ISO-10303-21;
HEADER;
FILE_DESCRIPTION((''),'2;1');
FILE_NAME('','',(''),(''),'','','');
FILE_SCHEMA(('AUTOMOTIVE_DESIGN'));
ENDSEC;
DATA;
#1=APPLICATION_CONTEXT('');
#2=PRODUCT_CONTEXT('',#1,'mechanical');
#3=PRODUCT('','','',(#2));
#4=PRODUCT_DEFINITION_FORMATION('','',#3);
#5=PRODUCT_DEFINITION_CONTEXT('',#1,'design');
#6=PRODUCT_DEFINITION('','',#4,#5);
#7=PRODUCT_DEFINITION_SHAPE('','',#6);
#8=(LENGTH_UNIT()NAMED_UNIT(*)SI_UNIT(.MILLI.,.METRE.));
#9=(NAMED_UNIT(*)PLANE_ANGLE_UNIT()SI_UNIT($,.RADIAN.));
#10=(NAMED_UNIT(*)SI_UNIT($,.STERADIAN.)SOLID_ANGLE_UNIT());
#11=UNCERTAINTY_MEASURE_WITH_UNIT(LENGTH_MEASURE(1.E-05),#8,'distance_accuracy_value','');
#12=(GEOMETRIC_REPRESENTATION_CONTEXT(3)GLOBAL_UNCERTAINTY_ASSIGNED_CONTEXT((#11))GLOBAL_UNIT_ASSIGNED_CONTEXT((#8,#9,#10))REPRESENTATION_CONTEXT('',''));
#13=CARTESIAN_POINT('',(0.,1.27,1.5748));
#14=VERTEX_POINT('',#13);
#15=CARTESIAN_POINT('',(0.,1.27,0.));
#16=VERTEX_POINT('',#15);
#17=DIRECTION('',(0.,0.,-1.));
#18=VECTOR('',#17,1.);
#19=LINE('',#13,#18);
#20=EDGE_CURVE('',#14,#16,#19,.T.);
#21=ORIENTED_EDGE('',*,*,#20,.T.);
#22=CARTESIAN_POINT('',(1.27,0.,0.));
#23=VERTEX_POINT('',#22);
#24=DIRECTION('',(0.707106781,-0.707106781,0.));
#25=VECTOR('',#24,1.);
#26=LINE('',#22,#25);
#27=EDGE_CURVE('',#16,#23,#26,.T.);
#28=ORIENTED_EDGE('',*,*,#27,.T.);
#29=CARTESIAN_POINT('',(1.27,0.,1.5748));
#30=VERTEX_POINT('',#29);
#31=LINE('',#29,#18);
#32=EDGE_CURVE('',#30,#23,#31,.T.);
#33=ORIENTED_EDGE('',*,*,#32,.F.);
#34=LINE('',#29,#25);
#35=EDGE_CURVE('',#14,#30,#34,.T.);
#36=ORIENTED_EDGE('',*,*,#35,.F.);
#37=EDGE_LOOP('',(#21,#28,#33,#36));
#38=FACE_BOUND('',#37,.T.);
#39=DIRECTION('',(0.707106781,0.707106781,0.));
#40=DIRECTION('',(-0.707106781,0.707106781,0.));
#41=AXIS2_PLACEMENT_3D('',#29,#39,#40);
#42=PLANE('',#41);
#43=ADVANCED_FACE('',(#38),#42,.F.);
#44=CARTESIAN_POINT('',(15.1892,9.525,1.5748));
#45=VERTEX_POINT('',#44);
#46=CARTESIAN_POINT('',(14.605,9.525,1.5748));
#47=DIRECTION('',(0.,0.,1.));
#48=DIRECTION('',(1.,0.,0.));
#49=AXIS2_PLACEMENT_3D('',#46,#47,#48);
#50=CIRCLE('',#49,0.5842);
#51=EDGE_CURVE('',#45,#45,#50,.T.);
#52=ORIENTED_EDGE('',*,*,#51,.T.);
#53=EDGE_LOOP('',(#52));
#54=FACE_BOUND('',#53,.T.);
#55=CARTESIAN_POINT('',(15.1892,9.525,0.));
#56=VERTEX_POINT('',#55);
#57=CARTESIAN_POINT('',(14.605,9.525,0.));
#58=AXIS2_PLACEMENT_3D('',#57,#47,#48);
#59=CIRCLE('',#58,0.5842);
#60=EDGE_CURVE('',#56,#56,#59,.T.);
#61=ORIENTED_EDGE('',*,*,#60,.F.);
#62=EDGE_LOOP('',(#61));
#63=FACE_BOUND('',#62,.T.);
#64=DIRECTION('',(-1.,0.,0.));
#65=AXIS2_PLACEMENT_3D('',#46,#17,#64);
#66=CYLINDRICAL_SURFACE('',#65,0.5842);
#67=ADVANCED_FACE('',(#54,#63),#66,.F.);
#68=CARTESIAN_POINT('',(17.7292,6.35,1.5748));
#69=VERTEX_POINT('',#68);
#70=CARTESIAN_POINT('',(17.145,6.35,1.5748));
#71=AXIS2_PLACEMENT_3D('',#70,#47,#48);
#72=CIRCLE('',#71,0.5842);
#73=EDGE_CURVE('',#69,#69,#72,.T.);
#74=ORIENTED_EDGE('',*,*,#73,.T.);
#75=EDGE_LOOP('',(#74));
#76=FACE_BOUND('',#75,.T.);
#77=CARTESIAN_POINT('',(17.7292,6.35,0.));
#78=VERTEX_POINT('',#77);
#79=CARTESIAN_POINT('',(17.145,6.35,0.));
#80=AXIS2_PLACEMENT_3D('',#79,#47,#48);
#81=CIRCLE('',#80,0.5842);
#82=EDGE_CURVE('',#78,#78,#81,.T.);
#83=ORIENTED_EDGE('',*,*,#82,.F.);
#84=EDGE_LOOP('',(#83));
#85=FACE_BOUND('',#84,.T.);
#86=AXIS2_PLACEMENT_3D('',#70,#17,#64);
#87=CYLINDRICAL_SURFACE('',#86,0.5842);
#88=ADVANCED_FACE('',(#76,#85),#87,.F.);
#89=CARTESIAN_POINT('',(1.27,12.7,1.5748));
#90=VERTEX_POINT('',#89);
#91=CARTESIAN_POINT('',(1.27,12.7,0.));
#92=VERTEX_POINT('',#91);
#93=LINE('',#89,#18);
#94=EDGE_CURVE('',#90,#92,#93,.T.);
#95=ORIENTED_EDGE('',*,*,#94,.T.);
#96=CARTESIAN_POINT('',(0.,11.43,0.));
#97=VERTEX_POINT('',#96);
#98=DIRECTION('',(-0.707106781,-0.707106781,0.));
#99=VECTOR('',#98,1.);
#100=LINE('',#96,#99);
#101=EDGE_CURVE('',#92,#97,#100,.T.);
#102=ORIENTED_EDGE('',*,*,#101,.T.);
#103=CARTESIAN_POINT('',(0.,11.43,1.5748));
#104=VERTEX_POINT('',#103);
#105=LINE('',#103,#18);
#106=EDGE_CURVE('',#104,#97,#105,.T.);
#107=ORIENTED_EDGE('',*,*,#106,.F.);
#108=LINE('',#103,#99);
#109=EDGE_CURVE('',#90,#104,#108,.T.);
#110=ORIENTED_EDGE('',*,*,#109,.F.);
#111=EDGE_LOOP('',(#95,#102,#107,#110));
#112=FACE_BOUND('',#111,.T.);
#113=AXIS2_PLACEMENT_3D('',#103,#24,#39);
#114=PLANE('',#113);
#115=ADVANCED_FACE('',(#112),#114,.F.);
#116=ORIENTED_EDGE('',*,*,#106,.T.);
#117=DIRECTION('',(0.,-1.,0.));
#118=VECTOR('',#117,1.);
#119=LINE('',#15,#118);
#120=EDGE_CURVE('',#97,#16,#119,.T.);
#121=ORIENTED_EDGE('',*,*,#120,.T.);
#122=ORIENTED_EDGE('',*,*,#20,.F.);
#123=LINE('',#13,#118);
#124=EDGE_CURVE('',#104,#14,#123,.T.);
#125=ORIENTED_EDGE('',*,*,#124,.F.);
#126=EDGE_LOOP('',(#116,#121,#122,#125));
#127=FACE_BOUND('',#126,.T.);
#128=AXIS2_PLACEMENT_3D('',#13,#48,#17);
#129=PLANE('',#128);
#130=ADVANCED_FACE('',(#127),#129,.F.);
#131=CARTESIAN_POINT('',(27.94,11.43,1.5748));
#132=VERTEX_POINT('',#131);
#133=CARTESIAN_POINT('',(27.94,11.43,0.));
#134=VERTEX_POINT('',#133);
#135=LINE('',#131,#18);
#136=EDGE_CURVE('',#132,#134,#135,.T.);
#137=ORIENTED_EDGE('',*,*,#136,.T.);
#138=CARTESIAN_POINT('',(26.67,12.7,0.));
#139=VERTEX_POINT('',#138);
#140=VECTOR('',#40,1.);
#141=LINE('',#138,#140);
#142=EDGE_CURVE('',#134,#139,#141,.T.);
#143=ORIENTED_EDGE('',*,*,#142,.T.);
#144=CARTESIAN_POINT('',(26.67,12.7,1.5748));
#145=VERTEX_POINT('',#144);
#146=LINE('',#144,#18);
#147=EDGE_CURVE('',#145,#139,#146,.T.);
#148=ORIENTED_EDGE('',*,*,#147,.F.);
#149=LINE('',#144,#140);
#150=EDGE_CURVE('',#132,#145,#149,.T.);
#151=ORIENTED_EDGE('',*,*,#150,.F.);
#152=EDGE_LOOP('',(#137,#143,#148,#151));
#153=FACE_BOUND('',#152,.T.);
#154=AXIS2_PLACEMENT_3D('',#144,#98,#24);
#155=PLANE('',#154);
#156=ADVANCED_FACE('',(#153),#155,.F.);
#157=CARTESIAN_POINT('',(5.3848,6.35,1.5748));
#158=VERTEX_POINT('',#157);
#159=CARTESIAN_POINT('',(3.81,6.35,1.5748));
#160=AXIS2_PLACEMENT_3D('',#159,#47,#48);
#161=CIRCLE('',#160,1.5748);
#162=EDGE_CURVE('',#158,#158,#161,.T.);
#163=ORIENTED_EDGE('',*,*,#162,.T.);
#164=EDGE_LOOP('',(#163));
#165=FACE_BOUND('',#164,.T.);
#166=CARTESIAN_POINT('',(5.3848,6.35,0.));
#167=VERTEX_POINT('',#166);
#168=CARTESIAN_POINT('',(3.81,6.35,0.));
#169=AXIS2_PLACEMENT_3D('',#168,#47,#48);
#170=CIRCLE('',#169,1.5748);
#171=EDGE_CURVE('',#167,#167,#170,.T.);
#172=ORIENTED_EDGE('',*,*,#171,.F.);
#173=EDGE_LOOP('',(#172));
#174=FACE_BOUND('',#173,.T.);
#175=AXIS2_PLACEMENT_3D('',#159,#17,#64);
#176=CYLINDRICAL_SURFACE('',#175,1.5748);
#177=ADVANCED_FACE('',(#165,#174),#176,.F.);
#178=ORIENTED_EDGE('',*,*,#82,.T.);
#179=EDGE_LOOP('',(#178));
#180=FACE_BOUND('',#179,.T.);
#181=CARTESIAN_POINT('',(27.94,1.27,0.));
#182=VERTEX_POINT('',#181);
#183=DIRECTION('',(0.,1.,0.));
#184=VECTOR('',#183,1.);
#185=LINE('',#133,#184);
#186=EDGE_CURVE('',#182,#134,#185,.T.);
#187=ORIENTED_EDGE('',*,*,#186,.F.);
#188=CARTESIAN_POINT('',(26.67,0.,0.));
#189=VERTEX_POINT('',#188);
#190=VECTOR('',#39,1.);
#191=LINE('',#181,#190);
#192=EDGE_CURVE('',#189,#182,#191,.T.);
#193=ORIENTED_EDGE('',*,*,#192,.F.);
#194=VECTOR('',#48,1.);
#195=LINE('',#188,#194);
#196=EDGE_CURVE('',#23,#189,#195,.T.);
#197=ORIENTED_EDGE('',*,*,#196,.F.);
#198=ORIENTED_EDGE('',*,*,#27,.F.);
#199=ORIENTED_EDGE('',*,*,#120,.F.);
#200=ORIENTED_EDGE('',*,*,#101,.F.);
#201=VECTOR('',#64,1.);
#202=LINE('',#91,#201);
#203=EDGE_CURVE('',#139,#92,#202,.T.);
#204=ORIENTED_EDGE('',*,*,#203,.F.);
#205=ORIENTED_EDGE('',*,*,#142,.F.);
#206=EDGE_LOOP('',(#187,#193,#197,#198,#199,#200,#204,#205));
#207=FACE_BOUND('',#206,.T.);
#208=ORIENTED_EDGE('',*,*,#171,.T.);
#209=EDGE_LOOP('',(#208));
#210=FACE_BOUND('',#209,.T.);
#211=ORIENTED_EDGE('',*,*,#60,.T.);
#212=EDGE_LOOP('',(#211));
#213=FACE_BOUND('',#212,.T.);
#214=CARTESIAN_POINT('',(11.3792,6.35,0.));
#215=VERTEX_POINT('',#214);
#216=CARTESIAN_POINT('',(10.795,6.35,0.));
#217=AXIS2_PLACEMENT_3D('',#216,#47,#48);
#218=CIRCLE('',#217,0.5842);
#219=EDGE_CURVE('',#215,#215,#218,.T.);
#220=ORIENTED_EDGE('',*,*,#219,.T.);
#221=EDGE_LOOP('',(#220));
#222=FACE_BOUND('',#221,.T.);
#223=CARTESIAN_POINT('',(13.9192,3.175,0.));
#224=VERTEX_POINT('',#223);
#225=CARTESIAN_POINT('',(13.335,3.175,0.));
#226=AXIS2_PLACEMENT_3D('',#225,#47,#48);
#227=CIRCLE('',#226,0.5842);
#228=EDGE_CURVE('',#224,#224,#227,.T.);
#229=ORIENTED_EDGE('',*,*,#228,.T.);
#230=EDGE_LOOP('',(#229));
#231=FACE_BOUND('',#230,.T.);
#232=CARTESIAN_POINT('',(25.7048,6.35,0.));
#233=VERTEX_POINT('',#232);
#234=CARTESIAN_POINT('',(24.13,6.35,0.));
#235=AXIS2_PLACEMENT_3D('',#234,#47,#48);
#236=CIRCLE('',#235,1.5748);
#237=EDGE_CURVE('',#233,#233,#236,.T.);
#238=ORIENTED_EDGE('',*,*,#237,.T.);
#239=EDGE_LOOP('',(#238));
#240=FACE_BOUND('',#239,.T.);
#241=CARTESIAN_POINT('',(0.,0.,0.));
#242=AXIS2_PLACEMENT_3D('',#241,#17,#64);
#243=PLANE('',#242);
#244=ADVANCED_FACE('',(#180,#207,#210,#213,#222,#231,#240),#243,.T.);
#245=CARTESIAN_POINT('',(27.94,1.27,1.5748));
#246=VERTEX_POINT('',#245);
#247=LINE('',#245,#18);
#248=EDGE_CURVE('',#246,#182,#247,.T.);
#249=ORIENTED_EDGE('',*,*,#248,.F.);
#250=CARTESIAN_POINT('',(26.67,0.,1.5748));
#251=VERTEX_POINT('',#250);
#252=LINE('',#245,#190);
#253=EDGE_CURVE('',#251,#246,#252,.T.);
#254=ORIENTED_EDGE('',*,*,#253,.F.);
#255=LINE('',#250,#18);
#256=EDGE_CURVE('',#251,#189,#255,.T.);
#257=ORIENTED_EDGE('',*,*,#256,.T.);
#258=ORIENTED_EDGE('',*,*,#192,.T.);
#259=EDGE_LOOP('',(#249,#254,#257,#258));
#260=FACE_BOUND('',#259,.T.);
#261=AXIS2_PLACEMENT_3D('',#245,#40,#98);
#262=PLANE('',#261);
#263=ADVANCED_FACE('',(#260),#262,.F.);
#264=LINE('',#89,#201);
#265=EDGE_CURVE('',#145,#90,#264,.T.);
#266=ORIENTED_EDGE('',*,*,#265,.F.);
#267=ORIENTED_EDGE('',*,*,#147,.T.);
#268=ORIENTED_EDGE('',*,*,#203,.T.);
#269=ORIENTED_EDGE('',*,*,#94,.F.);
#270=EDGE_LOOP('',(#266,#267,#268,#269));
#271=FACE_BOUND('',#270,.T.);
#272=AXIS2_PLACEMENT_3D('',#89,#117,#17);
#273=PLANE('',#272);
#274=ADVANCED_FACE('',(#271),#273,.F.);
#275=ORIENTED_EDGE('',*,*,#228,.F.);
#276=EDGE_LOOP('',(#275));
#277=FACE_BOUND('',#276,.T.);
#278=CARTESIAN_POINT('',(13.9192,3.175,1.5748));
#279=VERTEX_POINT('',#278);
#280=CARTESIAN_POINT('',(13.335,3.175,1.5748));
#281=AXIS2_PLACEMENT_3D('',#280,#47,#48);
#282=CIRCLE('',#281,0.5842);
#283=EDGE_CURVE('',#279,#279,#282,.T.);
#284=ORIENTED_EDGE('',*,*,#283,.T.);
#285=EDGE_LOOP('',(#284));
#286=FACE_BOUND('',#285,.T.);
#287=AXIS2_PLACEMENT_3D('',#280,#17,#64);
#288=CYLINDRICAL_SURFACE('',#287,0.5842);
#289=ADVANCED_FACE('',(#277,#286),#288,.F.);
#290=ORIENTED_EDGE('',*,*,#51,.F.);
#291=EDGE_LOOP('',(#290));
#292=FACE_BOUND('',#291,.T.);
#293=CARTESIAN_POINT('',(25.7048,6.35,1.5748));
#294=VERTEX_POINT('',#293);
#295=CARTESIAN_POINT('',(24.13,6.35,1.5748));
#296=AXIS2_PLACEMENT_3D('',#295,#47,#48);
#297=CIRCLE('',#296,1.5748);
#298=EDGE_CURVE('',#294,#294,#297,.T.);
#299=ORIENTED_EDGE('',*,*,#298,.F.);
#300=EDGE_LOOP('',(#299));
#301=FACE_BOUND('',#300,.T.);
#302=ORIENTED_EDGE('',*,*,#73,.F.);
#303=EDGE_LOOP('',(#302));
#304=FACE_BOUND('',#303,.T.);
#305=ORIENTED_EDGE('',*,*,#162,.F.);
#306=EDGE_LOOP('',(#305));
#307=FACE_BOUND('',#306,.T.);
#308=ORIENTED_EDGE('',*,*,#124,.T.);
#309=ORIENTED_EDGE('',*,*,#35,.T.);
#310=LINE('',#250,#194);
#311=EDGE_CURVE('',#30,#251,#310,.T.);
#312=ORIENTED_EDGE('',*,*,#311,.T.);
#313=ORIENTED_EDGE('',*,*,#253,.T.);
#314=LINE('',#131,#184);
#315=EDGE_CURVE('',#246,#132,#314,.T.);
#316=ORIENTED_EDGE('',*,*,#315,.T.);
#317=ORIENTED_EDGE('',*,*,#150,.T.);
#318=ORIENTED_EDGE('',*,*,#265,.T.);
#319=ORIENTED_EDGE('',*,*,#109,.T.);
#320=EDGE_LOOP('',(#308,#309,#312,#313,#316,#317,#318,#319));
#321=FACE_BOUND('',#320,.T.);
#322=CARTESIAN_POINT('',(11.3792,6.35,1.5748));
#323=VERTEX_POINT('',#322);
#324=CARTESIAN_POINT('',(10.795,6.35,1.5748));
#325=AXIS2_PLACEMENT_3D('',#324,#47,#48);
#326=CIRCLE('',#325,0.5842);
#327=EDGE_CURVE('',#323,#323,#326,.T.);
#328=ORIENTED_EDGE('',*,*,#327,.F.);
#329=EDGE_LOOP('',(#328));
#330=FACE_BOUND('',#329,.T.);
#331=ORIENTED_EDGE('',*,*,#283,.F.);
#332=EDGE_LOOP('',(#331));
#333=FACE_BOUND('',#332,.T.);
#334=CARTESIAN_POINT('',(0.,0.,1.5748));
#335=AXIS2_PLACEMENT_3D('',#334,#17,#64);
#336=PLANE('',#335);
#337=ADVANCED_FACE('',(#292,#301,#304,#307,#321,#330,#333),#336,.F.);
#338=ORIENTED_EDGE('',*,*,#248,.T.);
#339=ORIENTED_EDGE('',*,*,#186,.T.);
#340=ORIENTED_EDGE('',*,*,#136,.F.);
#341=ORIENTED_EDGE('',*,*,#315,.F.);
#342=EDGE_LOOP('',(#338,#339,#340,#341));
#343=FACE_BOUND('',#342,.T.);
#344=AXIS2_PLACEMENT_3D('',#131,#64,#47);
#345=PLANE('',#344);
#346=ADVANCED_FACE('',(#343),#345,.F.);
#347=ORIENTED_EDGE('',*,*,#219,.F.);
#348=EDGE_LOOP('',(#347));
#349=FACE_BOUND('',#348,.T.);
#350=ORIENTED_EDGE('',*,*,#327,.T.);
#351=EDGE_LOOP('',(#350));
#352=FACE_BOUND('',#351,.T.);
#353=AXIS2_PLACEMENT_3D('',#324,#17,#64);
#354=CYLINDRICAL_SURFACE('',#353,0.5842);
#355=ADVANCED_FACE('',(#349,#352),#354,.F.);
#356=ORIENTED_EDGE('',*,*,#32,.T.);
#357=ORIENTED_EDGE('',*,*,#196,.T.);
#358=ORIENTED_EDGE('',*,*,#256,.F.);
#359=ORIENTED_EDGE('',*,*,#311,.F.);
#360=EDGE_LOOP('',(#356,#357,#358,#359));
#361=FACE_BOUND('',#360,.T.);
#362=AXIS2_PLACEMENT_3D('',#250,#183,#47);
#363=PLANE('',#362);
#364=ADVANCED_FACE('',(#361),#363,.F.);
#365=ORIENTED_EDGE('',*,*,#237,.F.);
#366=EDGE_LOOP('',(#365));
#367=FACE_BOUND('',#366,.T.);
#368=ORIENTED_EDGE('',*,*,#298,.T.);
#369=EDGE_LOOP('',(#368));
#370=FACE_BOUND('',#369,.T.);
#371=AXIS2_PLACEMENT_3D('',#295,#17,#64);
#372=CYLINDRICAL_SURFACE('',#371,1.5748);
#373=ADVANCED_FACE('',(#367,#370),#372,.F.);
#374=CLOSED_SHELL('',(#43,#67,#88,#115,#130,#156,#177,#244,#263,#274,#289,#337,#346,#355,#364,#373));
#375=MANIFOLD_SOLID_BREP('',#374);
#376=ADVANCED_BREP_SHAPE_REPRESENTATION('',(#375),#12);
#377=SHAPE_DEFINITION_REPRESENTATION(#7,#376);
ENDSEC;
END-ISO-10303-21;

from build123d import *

# Parameters (mm, degrees)
MODEL_R             = 0.5842
MODEL_R_2           = 1.5748
BOSS_EXTRUDE1_DEPTH = 1.5748


with BuildPart() as part:
    # Model → Boss-Extrude1 (new body)
    with BuildSketch(Plane.XY):
        Polygon((0, 11.43), (1.27, 12.7), (26.67, 12.7), (27.94, 11.43), (27.94, 1.27), (26.67, 0), (1.27, 0), (0, 1.27), align=None)
        with Locations((10.795, 6.35)):
            Circle(MODEL_R, mode=Mode.SUBTRACT)
        with Locations((17.145, 6.35)):
            Circle(MODEL_R, mode=Mode.SUBTRACT)
        with Locations((3.81, 6.35)):
            Circle(MODEL_R_2, mode=Mode.SUBTRACT)
        with Locations((24.13, 6.35)):
            Circle(MODEL_R_2, mode=Mode.SUBTRACT)
        with Locations((13.335, 3.175)):
            Circle(MODEL_R, mode=Mode.SUBTRACT)
        with Locations((14.605, 9.525)):
            Circle(MODEL_R, mode=Mode.SUBTRACT)
    extrude(amount=BOSS_EXTRUDE1_DEPTH)


solid = part.part
